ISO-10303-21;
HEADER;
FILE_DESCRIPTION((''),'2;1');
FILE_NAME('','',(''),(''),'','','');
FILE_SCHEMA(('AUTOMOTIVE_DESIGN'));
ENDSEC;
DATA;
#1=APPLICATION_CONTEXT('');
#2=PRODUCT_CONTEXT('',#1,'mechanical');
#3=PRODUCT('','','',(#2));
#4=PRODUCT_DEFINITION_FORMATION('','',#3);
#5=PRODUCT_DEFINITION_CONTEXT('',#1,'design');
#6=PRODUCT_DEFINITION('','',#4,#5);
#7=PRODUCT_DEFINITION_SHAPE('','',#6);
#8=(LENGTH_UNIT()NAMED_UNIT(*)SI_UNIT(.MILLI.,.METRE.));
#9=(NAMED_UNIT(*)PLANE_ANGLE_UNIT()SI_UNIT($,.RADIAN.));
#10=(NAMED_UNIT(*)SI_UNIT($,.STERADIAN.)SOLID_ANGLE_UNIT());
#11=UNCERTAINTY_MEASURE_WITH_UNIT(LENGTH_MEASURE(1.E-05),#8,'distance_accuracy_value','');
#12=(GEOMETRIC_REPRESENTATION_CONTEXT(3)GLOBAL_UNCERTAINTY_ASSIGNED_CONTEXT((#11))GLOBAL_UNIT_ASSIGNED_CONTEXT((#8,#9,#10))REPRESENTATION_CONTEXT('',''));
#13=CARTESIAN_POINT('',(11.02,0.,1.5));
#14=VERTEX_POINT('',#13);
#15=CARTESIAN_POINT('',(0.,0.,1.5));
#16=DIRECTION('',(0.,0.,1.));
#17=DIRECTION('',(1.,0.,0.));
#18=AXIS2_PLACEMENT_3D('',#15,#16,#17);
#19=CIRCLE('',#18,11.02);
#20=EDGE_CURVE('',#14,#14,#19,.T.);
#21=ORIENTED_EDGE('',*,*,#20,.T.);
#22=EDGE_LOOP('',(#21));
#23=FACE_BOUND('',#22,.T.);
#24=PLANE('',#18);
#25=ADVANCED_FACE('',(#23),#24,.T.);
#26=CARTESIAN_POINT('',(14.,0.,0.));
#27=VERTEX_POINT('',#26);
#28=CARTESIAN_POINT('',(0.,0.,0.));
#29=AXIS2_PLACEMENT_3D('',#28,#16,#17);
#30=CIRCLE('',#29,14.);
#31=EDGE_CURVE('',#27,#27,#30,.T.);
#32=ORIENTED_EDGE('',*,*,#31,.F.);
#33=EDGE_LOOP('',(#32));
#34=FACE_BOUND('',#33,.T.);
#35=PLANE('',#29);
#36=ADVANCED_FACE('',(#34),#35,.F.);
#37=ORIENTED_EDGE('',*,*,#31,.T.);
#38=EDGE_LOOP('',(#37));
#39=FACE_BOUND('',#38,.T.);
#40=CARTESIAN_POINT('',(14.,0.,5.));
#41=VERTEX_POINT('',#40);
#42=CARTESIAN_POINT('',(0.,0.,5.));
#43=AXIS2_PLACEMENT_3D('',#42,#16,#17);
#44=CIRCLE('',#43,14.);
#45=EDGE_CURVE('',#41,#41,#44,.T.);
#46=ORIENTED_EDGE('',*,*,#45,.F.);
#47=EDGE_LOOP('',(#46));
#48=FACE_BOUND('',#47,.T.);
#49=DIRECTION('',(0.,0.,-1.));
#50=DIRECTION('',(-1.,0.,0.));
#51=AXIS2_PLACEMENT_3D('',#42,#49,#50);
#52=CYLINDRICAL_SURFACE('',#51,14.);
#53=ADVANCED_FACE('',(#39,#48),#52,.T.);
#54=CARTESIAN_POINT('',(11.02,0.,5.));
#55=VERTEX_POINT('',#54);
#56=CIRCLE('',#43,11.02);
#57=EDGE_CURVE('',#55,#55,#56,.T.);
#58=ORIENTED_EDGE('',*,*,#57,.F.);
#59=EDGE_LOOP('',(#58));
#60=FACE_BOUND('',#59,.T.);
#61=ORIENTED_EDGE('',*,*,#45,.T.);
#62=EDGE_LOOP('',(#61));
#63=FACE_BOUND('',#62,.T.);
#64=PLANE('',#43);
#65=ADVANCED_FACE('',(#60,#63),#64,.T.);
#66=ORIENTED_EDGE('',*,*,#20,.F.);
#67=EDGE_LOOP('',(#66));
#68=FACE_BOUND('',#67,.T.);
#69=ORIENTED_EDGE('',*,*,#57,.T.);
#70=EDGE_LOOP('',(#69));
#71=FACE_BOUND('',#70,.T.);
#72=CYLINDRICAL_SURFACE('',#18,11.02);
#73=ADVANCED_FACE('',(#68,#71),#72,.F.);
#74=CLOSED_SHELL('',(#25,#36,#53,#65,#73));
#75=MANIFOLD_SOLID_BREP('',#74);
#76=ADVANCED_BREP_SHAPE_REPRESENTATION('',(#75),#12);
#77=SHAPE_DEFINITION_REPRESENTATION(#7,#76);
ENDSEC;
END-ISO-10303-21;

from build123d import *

# Parameters (mm, degrees)
SKETCH_1_R          = 14
EXTRUDE_1_DEPTH     = 5
SKETCH_2_R          = 11.02
CUT_EXTRUDE_1_DEPTH = 3.5


with BuildPart() as part:
    # 草图1 → 凸台-拉伸1 (new body)
    with BuildSketch(Plane.XY):
        Circle(SKETCH_1_R)
    extrude(amount=EXTRUDE_1_DEPTH)

    # 草图2 → 切除-拉伸1 (cut)
    with BuildSketch(Plane.XY.offset(5)):
        Circle(SKETCH_2_R)
    extrude(amount=-CUT_EXTRUDE_1_DEPTH, mode=Mode.SUBTRACT)


solid = part.part
